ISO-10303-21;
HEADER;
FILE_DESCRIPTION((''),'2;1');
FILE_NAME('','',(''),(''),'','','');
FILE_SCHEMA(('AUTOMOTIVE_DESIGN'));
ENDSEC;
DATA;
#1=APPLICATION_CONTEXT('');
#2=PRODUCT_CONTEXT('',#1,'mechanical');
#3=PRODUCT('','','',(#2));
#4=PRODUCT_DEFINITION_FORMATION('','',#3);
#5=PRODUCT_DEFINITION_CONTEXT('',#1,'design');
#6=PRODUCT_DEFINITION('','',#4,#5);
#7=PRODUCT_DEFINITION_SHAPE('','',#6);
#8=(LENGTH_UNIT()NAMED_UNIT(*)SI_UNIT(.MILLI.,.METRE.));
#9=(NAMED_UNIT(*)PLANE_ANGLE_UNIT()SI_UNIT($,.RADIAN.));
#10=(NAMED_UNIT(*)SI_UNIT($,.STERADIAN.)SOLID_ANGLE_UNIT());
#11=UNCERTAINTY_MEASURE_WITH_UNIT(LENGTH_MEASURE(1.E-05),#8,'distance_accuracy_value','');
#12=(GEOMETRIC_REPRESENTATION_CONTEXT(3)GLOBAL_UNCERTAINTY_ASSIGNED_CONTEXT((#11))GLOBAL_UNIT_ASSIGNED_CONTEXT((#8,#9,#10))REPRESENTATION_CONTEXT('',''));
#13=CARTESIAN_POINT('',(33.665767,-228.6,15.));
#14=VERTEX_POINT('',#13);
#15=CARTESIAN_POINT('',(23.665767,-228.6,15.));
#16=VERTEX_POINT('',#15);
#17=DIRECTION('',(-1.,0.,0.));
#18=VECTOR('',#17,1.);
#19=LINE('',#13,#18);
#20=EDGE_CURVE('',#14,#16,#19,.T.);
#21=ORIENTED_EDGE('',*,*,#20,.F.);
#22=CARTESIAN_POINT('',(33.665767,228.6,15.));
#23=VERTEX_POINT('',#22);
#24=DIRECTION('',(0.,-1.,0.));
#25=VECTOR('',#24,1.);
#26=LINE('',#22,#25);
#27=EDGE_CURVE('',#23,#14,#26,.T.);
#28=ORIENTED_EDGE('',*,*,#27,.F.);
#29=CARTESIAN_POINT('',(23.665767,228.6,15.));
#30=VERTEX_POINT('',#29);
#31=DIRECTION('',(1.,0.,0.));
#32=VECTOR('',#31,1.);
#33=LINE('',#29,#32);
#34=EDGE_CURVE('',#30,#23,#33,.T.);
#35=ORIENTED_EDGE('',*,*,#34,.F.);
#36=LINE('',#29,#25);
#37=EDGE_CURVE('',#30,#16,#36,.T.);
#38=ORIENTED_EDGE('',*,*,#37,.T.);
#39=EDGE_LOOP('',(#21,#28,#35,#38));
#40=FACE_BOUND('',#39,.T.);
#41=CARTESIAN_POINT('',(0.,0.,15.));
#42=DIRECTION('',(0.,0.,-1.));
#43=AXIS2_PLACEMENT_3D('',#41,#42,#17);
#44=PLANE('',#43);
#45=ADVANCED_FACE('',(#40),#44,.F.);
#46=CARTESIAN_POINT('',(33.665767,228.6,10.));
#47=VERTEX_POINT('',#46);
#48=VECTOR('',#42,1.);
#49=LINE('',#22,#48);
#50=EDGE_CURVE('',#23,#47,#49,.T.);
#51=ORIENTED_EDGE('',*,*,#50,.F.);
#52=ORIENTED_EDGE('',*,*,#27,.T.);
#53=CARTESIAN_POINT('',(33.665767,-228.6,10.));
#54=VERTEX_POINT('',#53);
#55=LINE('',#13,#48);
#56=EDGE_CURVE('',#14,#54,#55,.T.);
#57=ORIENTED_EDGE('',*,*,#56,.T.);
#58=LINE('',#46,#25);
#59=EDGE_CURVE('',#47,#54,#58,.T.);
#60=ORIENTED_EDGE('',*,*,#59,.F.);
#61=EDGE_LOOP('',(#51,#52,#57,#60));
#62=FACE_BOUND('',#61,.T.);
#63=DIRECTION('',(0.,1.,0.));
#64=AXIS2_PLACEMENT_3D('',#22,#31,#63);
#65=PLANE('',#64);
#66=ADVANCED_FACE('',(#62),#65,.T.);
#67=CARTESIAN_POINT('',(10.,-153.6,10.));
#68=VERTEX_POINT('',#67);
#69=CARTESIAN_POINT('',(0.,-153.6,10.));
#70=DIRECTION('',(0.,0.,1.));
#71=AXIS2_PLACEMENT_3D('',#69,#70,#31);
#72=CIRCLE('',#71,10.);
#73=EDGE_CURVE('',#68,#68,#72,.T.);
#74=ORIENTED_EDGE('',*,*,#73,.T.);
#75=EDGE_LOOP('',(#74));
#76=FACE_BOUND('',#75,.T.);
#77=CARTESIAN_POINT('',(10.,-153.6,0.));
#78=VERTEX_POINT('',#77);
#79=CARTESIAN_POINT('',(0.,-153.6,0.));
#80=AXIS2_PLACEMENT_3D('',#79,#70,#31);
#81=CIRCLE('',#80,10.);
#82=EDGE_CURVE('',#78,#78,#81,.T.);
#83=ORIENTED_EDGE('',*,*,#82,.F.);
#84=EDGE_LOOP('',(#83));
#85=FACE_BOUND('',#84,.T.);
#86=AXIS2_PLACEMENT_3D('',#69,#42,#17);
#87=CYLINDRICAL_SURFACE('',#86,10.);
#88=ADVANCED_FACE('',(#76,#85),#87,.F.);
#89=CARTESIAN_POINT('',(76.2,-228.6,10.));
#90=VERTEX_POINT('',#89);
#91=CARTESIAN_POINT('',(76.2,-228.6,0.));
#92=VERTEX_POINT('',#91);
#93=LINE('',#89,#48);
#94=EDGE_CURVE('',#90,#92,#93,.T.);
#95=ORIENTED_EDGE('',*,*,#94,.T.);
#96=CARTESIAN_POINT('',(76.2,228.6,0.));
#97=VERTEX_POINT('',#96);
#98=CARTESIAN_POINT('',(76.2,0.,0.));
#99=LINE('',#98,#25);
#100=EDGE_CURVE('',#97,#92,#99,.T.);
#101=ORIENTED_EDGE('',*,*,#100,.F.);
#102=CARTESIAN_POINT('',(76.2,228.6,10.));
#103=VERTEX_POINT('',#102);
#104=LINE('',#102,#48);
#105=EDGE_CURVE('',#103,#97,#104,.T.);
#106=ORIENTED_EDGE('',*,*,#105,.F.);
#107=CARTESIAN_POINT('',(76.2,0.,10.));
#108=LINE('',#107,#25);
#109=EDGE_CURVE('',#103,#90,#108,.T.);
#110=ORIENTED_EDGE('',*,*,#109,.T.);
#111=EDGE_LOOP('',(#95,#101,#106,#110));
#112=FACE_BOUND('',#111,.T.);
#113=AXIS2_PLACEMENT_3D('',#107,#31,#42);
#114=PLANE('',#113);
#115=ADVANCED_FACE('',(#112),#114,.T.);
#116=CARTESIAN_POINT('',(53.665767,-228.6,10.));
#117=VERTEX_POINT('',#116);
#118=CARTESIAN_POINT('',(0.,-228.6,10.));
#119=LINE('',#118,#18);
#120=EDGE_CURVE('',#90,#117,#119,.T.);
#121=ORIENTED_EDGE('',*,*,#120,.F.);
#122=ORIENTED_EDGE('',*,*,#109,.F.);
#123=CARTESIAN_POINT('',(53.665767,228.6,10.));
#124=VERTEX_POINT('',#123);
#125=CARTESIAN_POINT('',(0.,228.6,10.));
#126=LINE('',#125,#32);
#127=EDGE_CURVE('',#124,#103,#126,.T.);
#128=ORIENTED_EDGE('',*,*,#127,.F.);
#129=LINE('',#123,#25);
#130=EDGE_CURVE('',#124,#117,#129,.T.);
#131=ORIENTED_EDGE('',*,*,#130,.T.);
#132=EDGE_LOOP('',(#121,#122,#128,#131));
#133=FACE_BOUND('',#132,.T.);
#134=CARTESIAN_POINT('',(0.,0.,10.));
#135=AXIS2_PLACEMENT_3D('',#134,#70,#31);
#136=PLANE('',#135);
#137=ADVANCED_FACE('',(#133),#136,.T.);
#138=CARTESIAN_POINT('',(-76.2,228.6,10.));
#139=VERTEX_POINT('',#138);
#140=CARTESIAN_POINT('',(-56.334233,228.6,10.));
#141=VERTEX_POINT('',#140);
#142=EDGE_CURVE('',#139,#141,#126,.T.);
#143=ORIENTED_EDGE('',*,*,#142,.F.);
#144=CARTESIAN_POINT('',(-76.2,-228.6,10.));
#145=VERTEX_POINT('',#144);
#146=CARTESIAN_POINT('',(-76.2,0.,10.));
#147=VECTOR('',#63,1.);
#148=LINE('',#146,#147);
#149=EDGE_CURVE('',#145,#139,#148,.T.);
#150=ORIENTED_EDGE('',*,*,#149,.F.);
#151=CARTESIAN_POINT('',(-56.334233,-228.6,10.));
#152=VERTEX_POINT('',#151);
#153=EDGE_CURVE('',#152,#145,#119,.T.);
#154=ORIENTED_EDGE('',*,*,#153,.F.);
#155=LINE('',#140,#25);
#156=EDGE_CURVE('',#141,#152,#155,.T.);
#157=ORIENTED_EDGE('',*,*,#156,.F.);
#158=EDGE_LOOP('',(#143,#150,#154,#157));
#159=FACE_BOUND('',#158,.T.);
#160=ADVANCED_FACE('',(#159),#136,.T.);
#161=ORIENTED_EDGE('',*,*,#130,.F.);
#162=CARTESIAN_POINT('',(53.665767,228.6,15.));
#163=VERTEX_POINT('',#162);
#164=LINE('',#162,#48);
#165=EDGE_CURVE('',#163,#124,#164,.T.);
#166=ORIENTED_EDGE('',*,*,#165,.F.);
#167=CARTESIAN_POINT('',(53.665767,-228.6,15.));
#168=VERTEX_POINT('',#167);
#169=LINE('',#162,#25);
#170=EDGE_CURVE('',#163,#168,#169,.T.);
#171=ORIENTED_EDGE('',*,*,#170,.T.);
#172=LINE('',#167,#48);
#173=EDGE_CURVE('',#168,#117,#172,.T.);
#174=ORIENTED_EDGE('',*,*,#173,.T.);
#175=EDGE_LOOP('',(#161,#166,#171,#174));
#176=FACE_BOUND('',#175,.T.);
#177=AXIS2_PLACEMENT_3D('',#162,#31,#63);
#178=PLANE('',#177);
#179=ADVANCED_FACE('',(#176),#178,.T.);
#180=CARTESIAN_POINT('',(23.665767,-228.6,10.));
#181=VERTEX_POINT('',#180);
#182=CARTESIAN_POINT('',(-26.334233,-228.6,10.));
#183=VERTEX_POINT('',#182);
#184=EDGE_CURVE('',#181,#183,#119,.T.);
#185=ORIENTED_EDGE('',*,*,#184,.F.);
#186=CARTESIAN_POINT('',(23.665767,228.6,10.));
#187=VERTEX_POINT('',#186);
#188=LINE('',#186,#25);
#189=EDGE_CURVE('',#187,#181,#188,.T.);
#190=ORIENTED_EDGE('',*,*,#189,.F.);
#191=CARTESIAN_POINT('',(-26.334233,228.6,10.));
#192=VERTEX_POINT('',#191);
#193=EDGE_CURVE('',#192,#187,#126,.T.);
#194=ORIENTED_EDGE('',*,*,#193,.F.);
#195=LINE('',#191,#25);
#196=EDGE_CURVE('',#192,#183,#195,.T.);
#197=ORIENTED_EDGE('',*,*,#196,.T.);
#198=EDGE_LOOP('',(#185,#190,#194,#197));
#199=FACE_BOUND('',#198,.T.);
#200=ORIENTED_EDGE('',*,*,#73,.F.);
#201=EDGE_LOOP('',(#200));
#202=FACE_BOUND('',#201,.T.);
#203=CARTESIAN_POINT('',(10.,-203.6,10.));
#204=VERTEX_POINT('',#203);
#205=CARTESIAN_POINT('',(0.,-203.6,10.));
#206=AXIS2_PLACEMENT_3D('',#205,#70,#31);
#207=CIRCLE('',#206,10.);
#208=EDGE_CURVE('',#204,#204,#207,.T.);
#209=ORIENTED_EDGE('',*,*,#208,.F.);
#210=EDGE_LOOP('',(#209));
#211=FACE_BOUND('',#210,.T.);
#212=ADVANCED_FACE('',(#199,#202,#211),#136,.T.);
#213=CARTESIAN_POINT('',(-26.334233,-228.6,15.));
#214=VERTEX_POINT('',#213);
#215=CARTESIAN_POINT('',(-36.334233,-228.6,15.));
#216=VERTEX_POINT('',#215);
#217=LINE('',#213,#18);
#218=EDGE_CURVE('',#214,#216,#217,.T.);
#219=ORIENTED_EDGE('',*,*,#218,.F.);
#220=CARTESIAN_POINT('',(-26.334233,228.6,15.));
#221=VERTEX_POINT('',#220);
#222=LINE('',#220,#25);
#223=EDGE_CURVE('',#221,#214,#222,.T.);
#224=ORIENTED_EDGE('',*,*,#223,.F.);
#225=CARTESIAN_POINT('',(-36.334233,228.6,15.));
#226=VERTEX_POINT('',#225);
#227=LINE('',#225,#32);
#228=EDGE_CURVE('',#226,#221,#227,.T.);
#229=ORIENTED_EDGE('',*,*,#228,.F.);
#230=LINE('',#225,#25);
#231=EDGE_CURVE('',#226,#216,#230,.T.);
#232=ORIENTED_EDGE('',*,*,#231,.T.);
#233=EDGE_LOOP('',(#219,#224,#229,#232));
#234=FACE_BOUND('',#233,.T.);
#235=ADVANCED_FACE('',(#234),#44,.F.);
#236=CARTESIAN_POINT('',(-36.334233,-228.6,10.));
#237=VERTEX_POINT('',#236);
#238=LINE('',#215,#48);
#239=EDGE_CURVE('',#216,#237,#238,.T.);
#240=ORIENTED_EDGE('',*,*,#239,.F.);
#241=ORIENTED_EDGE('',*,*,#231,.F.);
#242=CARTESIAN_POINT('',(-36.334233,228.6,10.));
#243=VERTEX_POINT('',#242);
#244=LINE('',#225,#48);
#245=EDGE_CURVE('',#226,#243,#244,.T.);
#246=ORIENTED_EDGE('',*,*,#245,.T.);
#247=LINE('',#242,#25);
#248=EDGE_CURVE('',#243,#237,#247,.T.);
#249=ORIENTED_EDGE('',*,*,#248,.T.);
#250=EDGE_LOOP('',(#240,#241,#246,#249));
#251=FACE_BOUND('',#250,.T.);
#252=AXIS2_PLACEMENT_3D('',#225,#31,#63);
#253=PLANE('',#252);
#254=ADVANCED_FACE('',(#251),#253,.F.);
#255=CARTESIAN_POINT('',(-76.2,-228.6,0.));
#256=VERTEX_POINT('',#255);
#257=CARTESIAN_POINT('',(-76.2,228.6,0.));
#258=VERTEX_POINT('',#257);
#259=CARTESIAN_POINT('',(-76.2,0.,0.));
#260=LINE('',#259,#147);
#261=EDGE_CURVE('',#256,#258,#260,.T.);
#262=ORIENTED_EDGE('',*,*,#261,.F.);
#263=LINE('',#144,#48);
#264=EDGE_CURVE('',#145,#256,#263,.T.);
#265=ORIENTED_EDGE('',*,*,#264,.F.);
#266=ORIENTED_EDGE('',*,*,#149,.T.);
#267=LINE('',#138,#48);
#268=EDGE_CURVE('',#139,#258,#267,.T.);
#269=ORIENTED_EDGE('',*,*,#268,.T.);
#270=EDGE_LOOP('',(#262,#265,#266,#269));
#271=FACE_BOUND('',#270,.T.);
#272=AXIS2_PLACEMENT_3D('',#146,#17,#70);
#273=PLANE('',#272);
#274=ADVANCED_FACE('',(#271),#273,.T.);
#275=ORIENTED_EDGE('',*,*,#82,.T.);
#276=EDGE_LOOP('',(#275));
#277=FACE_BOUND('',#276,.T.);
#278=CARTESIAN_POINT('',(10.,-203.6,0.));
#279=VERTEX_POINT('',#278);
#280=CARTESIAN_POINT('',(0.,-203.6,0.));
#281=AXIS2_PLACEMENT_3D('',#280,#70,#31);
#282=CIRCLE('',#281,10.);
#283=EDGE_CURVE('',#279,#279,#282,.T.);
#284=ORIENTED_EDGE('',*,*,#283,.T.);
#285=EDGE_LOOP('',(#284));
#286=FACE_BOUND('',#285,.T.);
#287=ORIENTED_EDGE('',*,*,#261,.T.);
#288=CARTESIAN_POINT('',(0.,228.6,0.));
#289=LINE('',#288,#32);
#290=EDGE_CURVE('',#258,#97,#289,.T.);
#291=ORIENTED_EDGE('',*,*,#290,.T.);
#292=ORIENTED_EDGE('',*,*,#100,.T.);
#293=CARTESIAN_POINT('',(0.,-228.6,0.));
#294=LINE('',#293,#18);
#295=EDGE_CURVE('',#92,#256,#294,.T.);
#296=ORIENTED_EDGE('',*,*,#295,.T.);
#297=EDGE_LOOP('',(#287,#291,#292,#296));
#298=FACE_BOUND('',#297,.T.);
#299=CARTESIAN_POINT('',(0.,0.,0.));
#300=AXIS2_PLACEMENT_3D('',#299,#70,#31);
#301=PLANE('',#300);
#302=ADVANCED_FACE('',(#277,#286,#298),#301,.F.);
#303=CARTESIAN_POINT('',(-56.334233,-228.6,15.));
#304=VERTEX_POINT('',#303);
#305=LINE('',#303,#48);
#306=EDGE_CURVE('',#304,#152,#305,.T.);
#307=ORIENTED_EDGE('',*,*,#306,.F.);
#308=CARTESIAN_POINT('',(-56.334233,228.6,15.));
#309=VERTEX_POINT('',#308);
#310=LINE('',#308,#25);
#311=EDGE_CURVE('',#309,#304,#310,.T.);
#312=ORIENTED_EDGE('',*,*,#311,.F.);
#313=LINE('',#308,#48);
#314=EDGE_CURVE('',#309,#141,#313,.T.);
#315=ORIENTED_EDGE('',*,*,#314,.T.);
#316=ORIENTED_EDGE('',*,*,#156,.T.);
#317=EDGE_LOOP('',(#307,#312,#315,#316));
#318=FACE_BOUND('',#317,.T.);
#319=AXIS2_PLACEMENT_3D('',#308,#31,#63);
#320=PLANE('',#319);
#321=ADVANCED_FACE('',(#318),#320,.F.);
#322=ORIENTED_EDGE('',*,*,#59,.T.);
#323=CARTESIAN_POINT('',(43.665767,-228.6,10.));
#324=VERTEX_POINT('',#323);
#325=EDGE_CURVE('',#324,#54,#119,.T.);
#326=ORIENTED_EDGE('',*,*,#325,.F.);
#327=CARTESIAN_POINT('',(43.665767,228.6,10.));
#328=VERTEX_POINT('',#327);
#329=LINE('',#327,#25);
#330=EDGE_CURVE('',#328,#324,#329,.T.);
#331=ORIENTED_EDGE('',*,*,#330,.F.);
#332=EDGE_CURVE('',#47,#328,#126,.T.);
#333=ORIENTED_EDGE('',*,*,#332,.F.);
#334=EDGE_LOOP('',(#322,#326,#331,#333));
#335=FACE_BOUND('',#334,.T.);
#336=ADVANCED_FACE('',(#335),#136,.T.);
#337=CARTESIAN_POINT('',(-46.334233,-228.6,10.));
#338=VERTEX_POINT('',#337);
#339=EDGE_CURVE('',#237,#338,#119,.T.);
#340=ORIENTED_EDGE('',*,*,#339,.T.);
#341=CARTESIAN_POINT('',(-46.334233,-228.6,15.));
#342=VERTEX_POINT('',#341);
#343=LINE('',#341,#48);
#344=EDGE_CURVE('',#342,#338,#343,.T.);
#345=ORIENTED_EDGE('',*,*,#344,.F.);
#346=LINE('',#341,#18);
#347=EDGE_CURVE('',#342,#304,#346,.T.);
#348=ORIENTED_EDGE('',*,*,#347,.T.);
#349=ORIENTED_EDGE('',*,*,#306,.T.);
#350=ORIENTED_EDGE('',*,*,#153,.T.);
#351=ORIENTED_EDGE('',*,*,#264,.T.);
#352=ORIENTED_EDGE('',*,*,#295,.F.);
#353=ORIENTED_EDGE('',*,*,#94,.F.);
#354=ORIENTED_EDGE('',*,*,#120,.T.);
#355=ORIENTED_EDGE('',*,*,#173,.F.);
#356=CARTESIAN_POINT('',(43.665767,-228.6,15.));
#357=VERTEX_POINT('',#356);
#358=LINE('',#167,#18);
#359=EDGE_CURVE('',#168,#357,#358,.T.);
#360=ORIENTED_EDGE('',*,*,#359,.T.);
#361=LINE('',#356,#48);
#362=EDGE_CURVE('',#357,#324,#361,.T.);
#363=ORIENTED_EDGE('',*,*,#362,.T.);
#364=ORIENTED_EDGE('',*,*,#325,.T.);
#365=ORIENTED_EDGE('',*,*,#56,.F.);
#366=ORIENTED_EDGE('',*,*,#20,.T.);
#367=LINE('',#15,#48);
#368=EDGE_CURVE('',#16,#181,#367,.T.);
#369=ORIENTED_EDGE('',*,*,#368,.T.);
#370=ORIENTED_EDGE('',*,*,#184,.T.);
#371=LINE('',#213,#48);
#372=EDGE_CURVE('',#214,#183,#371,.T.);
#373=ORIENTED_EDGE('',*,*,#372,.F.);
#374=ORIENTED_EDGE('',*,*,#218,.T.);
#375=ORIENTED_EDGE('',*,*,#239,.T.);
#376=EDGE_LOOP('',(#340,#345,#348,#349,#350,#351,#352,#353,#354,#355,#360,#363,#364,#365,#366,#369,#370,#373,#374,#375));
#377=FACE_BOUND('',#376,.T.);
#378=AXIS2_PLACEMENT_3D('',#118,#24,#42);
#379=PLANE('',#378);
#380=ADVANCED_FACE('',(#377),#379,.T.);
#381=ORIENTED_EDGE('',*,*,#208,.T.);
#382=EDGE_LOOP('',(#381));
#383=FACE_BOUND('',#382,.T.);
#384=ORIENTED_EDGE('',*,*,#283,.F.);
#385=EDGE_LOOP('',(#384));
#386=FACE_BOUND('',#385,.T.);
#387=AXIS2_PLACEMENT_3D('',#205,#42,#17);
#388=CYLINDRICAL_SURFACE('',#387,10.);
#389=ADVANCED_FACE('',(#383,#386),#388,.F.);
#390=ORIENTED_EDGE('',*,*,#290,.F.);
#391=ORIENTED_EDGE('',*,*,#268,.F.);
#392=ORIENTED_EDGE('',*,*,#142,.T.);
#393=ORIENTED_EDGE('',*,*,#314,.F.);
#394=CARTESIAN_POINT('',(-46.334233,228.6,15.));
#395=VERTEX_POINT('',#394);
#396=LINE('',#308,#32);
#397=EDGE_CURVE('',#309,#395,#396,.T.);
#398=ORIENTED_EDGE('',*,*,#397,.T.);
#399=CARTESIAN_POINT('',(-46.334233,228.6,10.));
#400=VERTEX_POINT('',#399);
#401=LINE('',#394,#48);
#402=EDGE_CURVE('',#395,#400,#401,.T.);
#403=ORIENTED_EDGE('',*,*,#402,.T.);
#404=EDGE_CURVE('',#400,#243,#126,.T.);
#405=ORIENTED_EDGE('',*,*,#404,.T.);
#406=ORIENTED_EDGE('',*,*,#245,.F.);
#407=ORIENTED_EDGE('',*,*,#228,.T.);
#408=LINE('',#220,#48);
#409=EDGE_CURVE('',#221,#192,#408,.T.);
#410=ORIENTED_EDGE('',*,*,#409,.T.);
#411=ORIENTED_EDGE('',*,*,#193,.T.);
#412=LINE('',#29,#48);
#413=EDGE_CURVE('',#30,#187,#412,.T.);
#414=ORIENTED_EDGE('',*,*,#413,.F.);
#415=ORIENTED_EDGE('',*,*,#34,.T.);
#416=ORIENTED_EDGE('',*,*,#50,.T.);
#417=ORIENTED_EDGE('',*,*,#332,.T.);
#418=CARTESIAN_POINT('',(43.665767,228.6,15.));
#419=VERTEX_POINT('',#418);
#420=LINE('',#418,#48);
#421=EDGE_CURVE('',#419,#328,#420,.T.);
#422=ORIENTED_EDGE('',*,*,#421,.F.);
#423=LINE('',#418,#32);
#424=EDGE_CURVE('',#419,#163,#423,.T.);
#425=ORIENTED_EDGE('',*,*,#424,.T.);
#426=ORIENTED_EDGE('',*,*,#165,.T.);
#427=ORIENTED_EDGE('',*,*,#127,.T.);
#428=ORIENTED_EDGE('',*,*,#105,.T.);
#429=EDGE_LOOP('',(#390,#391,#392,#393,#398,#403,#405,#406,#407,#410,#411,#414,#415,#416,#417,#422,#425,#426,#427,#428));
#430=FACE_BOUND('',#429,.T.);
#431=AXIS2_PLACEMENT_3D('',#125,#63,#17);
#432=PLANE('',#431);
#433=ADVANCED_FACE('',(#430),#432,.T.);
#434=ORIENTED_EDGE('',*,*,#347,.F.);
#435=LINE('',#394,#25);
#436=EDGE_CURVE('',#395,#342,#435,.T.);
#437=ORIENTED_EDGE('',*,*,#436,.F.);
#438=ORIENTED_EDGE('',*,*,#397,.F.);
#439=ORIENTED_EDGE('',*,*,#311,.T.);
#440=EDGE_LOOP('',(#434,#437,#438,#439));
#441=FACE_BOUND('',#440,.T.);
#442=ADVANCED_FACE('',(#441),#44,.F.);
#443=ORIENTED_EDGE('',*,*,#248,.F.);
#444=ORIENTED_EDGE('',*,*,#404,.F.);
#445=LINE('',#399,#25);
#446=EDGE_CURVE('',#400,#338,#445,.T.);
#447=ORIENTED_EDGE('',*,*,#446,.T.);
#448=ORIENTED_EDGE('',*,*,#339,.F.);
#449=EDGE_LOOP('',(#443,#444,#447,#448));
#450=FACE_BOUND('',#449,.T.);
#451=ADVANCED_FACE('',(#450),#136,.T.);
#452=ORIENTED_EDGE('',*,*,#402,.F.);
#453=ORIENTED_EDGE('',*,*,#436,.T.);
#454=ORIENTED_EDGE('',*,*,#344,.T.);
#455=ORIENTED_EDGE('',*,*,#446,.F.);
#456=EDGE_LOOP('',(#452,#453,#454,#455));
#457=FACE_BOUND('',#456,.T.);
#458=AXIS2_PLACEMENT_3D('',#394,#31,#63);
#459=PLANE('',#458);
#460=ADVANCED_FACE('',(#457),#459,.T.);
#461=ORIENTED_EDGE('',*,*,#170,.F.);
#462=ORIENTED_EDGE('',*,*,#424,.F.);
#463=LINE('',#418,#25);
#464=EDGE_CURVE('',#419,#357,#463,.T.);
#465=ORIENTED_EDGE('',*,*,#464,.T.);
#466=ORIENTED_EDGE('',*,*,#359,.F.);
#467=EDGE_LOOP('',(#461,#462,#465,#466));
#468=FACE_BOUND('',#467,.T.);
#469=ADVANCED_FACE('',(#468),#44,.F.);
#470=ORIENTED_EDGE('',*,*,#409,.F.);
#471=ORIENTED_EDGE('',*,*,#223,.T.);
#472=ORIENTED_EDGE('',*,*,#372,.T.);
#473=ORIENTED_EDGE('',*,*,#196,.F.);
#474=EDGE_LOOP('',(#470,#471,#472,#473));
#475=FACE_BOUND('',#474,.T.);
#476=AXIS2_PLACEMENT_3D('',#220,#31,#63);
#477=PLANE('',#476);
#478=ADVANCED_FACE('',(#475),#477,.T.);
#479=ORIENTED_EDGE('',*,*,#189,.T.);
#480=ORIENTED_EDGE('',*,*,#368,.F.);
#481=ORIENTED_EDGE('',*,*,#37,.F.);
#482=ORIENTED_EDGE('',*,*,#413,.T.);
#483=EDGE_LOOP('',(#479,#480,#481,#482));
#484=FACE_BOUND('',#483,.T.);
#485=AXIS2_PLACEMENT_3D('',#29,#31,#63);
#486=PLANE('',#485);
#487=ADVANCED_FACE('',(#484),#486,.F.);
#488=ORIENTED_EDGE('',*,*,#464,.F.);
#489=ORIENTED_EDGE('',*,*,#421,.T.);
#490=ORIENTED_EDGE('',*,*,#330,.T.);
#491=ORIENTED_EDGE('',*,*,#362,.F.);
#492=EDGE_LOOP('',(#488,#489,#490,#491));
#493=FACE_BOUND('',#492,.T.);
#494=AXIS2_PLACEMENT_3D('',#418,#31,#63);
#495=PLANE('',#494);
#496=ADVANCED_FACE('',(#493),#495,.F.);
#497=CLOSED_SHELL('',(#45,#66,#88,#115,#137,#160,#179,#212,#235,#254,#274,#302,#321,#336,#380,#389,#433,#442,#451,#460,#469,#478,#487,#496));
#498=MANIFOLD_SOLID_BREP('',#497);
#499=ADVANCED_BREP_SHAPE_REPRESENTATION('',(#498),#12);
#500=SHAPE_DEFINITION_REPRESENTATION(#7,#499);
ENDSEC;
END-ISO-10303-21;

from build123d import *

# Parameters (mm, degrees)
SKETCH1_W           = 152.4
SKETCH1_H           = 457.2
SKETCH1_R           = 10
BOSS_EXTRUDE1_DEPTH = 10
SKETCH2_W           = 10
SKETCH2_H           = 457.2
EXTRUDE_THIN1_DEPTH = 5


with BuildPart() as part:
    # Sketch1 → Boss-Extrude1 (new body)
    with BuildSketch(Plane.XY):
        Rectangle(SKETCH1_W, SKETCH1_H)
        with Locations((0, -203.6)):
            Circle(SKETCH1_R, mode=Mode.SUBTRACT)
        with Locations((0, -153.6)):
            Circle(SKETCH1_R, mode=Mode.SUBTRACT)
    extrude(amount=BOSS_EXTRUDE1_DEPTH)

    # Sketch2 → Extrude-Thin1 (add)
    with BuildSketch(Plane.XY.offset(10)):
        with Locations((28.665766577, 0)):
            Rectangle(SKETCH2_W, SKETCH2_H)
        with Locations((48.665766577, 0)):
            Rectangle(SKETCH2_W, SKETCH2_H)
        with Locations((-31.334233423, 0)):
            Rectangle(SKETCH2_W, SKETCH2_H)
        with Locations((-51.334233423, 0)):
            Rectangle(SKETCH2_W, SKETCH2_H)
    extrude(amount=EXTRUDE_THIN1_DEPTH)


solid = part.part
